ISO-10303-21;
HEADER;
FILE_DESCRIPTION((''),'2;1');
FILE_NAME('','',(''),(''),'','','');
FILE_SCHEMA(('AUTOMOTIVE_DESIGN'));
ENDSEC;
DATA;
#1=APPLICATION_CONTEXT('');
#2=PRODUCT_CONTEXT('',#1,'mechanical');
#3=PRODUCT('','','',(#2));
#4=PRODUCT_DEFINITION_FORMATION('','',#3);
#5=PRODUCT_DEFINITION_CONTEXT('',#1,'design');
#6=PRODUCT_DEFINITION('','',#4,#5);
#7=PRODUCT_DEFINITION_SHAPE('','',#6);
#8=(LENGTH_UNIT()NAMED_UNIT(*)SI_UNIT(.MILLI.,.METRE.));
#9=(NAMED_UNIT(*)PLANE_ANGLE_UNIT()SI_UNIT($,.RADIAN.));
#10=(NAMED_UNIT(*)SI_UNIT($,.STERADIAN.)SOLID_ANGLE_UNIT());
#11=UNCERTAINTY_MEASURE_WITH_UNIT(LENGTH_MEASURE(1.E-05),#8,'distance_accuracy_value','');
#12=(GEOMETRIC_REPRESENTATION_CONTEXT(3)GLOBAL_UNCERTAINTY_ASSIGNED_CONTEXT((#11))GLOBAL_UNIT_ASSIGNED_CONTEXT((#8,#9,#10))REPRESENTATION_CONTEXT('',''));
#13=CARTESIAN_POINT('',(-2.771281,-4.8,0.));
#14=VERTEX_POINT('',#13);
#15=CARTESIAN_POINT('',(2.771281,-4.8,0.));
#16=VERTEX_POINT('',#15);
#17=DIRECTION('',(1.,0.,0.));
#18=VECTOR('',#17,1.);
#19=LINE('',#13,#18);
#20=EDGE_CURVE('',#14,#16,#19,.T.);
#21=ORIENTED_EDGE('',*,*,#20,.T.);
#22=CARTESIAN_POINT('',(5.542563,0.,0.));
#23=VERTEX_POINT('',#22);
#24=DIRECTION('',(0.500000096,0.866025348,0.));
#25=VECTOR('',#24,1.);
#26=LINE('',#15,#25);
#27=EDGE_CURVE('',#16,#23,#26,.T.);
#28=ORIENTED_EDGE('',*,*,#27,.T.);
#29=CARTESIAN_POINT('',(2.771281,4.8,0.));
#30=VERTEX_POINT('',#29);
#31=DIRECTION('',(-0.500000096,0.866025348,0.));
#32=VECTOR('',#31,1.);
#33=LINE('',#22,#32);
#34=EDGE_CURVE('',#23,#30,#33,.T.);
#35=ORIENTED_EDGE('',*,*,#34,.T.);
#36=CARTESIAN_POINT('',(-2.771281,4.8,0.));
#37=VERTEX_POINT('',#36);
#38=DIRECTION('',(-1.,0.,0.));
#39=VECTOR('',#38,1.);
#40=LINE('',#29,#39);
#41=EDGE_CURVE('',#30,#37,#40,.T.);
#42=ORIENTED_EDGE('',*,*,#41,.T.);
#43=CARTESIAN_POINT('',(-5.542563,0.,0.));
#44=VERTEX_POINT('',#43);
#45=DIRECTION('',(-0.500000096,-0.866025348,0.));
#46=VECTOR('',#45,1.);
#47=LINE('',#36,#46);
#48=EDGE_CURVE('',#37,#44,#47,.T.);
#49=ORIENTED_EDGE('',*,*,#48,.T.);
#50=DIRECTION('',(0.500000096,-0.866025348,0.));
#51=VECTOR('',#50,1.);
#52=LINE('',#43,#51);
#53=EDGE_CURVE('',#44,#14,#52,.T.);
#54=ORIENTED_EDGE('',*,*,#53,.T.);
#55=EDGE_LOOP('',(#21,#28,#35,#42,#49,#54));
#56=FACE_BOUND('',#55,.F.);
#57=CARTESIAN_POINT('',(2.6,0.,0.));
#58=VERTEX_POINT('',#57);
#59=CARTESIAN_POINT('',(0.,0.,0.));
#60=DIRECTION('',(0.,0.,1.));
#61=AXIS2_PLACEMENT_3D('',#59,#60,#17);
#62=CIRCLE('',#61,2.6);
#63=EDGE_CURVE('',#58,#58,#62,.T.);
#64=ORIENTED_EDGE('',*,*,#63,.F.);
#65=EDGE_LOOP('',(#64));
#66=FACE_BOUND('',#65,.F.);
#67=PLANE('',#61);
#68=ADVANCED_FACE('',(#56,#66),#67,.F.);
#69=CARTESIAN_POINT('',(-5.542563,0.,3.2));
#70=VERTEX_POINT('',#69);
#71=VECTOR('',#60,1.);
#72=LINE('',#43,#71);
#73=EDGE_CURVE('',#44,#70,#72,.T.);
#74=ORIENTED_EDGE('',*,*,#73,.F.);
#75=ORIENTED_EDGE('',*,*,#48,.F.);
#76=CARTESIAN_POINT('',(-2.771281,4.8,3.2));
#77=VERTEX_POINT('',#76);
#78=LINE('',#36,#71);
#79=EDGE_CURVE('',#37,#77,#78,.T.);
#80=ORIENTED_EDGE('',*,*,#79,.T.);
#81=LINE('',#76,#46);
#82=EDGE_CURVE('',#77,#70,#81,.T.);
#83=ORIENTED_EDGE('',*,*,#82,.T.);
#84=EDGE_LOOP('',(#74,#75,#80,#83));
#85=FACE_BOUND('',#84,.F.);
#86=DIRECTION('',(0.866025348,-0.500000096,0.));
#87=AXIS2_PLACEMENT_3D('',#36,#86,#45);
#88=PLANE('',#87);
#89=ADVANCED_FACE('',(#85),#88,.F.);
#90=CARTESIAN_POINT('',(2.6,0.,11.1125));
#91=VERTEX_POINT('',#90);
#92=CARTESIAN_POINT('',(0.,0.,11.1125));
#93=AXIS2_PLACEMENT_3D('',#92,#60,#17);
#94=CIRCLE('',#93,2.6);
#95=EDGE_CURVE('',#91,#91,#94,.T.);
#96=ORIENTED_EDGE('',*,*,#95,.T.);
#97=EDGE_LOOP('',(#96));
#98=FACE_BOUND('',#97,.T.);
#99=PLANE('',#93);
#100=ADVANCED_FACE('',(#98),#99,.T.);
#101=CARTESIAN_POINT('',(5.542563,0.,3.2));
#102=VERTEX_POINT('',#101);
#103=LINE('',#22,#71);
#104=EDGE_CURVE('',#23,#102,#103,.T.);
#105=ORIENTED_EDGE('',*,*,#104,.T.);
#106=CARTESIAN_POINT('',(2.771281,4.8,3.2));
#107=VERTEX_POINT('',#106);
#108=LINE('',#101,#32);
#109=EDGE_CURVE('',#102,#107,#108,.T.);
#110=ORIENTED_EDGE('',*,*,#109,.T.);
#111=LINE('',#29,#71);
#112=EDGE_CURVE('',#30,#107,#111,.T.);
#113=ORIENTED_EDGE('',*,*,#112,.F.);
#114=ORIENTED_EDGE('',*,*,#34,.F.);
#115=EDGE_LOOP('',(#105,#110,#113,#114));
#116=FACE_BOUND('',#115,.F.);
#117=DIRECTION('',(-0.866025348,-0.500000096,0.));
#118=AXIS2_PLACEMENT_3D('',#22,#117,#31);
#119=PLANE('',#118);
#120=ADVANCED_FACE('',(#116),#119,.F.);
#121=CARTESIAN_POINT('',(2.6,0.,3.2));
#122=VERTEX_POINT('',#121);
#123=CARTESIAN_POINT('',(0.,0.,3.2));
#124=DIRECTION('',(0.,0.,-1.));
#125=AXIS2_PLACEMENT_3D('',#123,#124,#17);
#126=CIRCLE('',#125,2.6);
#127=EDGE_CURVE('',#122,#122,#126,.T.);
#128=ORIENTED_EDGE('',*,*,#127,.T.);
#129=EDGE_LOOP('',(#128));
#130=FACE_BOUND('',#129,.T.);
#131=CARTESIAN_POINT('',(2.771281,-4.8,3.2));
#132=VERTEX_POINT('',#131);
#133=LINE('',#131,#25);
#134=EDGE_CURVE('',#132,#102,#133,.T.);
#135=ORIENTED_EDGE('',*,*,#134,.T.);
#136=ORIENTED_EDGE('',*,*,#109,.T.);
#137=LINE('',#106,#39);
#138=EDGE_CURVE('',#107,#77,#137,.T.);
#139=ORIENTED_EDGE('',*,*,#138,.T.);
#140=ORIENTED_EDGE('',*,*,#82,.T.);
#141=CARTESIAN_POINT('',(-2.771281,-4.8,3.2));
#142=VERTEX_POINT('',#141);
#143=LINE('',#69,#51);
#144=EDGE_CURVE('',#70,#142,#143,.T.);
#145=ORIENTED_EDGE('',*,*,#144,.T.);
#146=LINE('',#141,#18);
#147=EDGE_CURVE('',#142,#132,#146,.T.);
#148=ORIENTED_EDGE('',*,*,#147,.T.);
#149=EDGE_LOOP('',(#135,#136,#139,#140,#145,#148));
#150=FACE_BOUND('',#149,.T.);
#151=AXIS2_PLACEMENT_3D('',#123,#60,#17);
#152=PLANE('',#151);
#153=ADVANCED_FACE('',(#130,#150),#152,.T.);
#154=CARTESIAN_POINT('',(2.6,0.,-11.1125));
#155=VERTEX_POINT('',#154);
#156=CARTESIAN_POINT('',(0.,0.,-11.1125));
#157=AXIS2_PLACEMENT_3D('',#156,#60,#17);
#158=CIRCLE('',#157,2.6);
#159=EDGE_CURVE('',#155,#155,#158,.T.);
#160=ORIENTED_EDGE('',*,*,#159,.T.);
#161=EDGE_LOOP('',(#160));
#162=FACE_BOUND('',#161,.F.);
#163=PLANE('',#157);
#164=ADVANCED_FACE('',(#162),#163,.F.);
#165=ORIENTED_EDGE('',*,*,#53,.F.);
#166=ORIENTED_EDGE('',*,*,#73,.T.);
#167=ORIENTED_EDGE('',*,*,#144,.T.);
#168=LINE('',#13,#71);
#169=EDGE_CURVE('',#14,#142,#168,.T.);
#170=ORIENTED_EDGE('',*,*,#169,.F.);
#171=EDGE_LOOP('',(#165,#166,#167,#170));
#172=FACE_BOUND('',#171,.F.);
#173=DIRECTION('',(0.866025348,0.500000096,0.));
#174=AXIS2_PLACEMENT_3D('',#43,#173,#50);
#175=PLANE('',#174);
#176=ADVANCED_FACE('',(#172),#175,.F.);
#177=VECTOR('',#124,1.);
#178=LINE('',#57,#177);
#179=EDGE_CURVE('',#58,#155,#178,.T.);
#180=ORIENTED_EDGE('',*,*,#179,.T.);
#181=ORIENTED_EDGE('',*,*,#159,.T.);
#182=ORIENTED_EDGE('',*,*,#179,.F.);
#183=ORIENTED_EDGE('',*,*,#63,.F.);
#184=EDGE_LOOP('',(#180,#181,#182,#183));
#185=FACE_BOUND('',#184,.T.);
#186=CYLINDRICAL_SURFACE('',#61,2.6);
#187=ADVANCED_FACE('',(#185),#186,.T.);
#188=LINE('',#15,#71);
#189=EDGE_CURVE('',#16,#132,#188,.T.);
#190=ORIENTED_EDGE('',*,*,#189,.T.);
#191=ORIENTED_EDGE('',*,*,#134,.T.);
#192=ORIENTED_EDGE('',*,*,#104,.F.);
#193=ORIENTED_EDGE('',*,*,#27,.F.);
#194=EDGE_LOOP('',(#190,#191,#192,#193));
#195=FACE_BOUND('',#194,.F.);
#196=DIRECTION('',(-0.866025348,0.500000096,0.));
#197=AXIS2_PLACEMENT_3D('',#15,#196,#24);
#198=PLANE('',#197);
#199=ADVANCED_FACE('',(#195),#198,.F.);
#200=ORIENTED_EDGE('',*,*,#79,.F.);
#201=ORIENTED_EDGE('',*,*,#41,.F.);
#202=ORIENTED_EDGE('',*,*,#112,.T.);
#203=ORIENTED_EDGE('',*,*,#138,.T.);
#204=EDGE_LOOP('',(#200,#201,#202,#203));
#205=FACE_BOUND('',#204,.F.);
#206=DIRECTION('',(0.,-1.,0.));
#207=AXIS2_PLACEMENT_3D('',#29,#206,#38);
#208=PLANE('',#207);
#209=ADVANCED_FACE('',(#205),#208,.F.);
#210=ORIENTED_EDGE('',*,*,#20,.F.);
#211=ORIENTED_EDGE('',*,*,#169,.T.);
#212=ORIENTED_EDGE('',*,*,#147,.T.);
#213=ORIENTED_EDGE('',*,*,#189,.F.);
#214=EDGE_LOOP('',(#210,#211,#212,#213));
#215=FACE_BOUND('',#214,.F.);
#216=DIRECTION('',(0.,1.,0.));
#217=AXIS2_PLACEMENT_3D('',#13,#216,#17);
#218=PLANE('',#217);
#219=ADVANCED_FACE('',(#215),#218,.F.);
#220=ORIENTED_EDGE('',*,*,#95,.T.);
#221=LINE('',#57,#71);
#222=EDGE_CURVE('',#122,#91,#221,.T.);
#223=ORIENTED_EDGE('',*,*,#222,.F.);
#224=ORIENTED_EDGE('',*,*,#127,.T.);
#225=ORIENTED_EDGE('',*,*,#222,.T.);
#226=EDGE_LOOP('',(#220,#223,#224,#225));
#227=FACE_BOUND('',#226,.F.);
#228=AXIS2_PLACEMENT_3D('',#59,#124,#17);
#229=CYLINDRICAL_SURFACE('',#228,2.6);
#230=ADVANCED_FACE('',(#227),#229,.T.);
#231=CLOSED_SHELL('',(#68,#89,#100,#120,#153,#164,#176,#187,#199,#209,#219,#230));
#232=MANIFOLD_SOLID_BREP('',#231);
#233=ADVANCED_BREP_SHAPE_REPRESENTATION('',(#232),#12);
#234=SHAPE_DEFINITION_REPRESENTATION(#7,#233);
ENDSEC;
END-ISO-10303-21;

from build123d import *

# Parameters (mm, degrees)
F0_R          = 2.6
F1_DEPTH      = 3.2
F2_DEPTH      = 11.1125
F2_DEPTH_BACK = 11.1125


with BuildPart() as f1:
    # F0 (on Top) → F1 (new body)
    with BuildSketch(Plane.XY):
        Polygon((2.771281, 4.8), (-2.771281, 4.8), (-5.542563, 0), (-2.771281, -4.8), (2.771281, -4.8), (5.542563, 0), align=None)
        Circle(F0_R, mode=Mode.SUBTRACT)
        Circle(F0_R)
    extrude(amount=F1_DEPTH)

    # F0 (on Top) → F2 (join, two sides)
    with BuildSketch(Plane.XY) as f2_sk:
        Circle(F0_R)
    extrude(amount=F2_DEPTH)
    extrude(f2_sk.sketch, amount=-F2_DEPTH_BACK)


solid = f1.part
